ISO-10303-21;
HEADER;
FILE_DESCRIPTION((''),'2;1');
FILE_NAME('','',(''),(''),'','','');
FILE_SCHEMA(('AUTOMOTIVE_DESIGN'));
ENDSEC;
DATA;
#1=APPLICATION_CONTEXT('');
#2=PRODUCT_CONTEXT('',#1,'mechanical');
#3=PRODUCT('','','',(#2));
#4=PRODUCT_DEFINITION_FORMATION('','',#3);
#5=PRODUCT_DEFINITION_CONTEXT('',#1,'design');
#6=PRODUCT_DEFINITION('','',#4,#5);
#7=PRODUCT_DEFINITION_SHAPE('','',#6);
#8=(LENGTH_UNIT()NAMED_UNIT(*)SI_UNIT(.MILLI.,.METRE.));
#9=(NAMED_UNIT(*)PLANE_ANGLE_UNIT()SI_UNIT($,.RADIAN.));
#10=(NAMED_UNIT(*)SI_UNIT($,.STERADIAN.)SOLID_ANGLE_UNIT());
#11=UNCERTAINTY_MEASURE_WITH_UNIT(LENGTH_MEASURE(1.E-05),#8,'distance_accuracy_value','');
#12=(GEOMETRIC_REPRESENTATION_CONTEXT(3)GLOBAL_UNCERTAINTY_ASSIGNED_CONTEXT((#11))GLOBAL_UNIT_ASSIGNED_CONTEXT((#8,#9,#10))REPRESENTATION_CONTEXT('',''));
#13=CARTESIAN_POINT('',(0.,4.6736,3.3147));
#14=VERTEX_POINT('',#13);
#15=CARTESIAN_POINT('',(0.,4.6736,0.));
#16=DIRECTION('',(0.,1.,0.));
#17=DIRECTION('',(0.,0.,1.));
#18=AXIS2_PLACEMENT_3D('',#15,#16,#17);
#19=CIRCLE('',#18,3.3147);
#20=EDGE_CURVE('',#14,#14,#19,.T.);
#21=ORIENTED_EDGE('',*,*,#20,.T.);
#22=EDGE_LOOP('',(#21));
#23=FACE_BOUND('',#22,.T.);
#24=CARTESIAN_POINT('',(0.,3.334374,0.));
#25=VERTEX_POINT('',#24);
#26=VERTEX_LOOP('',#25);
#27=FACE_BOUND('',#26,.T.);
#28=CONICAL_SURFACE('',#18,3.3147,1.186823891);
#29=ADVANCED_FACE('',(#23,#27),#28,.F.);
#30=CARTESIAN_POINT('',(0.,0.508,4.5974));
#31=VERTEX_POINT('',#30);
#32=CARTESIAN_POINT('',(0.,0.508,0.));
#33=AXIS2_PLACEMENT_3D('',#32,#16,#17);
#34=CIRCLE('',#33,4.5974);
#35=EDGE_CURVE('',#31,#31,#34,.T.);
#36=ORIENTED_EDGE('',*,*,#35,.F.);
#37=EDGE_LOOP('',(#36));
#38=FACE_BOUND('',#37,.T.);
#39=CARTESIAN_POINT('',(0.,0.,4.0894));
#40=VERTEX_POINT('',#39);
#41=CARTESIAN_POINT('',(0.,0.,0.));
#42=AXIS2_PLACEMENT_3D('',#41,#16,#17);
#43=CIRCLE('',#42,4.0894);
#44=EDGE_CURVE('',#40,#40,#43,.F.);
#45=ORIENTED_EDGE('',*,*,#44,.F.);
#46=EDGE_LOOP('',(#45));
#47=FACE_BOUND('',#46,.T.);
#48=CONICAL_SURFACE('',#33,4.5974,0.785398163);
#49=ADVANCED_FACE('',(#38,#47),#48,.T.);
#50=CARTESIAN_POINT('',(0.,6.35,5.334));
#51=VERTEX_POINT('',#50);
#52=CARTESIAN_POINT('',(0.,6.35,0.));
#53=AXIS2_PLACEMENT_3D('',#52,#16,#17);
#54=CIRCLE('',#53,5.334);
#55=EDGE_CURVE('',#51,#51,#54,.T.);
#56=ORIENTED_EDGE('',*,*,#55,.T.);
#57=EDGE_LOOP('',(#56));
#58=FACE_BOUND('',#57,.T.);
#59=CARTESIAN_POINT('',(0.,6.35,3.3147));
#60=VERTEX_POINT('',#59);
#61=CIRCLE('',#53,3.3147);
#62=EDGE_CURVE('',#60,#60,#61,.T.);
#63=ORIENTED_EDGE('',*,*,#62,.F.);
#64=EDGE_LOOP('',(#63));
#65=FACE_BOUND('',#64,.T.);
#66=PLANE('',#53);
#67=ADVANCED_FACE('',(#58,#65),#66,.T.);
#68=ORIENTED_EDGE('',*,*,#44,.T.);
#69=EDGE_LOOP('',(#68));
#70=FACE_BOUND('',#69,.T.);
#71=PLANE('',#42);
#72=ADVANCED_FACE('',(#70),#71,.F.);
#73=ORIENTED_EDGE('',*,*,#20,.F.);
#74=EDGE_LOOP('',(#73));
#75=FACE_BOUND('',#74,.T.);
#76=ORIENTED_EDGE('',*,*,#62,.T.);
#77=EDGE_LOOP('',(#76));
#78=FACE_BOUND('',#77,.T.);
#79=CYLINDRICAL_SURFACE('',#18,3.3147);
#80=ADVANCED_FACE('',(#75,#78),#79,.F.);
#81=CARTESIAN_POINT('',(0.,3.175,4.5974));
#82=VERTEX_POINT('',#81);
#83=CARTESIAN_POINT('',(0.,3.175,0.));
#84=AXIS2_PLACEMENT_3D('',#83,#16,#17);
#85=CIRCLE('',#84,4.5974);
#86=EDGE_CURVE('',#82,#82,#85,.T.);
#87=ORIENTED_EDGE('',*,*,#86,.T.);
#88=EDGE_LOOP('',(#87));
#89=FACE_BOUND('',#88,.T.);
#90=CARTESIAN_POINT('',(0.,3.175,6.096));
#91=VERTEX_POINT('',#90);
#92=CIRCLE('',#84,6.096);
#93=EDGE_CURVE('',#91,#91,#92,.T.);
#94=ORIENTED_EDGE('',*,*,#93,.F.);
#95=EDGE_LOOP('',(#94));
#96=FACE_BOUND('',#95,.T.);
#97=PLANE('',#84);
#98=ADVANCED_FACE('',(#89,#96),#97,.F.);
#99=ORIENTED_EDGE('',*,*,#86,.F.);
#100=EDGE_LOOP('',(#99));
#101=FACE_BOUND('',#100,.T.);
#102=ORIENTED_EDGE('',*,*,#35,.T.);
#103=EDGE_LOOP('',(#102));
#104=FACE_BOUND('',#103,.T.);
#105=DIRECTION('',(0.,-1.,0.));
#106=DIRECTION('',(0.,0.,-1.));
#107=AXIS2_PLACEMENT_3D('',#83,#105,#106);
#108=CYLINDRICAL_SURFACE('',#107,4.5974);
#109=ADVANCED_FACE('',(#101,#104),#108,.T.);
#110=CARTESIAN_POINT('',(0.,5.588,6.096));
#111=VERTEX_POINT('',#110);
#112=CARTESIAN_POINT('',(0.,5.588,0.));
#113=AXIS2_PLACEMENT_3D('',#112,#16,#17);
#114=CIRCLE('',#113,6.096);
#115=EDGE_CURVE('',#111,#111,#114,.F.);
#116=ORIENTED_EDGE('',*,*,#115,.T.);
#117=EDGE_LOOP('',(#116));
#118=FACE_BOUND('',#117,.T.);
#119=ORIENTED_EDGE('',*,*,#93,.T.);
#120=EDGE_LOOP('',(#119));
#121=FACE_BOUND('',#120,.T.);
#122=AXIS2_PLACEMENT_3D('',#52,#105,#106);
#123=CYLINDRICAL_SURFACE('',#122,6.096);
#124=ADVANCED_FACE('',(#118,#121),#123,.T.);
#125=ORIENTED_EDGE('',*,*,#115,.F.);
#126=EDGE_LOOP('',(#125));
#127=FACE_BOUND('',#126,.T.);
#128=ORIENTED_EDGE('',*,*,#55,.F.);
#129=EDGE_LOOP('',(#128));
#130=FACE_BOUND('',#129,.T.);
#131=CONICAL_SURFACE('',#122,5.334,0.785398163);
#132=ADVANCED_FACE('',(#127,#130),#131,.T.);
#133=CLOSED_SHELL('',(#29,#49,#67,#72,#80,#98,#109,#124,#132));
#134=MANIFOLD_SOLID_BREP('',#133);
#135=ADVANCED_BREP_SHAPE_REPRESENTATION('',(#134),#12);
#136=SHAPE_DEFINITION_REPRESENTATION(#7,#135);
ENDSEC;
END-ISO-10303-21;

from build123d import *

# Parameters (mm, degrees)
SKETCH1_R           = 4.5974
BOSS_EXTRUDE1_DEPTH = 3.175
SKETCH2_R           = 6.096
BOSS_EXTRUDE2_DEPTH = 3.175
CHAMFER1_SIZE       = 0.762
CHAMFER2_SIZE       = 0.508
SKETCH3_R           = 3.3147
CUT_EXTRUDE1_DEPTH  = 1.6764


with BuildPart() as part:
    # Sketch1 → Boss-Extrude1 (new body)
    with BuildSketch(Plane(origin=(0, 0, 0), x_dir=(1, 0, 0), z_dir=(0, 1, 0))):
        with Locations(Location((0, 0, 0), (0, 0, 270))):
            Circle(SKETCH1_R)
    extrude(amount=BOSS_EXTRUDE1_DEPTH)

    # Sketch2 → Boss-Extrude2 (add)
    with BuildSketch(Plane(origin=(0, 3.175, 0), x_dir=(1, 0, 0), z_dir=(0, 1, 0))):
        with Locations(Location((0, 0, 0), (0, 0, 270))):
            Circle(SKETCH2_R)
    extrude(amount=BOSS_EXTRUDE2_DEPTH)

    # Chamfer1
    chamfer1_edges = [part.edges().sort_by_distance(p)[0] for p in [
        (0, 6.35, -6.096),
    ]]
    chamfer(chamfer1_edges, length=CHAMFER1_SIZE)

    # Chamfer2
    chamfer2_edges = [part.edges().sort_by_distance(p)[0] for p in [
        (0, 0, -4.5974),
    ]]
    chamfer(chamfer2_edges, length=CHAMFER2_SIZE)

    # Sketch3 → Cut-Extrude1 (cut)
    with BuildSketch(Plane(origin=(0, 6.35, 0), x_dir=(1, 0, 0), z_dir=(0, 1, 0))):
        with Locations(Location((0, 0, 0), (0, 0, 270))):
            Circle(SKETCH3_R)
    extrude(amount=-CUT_EXTRUDE1_DEPTH, mode=Mode.SUBTRACT)

    # Cut-Extrude2 cone 1 section (through the dimple's axis) → Cut-Extrude2 (revolve, cut)
    with BuildSketch(Plane(origin=(0, 4.6736, 0), x_dir=(0, 0, 1), z_dir=(1, 0, 0))):
        Polygon((0, 0), (3.3147, 0), (0, 1.339225731), align=None)
    revolve(axis=Axis((0, 4.6736, 0), (0, -1, 0)), mode=Mode.SUBTRACT)


solid = part.part
